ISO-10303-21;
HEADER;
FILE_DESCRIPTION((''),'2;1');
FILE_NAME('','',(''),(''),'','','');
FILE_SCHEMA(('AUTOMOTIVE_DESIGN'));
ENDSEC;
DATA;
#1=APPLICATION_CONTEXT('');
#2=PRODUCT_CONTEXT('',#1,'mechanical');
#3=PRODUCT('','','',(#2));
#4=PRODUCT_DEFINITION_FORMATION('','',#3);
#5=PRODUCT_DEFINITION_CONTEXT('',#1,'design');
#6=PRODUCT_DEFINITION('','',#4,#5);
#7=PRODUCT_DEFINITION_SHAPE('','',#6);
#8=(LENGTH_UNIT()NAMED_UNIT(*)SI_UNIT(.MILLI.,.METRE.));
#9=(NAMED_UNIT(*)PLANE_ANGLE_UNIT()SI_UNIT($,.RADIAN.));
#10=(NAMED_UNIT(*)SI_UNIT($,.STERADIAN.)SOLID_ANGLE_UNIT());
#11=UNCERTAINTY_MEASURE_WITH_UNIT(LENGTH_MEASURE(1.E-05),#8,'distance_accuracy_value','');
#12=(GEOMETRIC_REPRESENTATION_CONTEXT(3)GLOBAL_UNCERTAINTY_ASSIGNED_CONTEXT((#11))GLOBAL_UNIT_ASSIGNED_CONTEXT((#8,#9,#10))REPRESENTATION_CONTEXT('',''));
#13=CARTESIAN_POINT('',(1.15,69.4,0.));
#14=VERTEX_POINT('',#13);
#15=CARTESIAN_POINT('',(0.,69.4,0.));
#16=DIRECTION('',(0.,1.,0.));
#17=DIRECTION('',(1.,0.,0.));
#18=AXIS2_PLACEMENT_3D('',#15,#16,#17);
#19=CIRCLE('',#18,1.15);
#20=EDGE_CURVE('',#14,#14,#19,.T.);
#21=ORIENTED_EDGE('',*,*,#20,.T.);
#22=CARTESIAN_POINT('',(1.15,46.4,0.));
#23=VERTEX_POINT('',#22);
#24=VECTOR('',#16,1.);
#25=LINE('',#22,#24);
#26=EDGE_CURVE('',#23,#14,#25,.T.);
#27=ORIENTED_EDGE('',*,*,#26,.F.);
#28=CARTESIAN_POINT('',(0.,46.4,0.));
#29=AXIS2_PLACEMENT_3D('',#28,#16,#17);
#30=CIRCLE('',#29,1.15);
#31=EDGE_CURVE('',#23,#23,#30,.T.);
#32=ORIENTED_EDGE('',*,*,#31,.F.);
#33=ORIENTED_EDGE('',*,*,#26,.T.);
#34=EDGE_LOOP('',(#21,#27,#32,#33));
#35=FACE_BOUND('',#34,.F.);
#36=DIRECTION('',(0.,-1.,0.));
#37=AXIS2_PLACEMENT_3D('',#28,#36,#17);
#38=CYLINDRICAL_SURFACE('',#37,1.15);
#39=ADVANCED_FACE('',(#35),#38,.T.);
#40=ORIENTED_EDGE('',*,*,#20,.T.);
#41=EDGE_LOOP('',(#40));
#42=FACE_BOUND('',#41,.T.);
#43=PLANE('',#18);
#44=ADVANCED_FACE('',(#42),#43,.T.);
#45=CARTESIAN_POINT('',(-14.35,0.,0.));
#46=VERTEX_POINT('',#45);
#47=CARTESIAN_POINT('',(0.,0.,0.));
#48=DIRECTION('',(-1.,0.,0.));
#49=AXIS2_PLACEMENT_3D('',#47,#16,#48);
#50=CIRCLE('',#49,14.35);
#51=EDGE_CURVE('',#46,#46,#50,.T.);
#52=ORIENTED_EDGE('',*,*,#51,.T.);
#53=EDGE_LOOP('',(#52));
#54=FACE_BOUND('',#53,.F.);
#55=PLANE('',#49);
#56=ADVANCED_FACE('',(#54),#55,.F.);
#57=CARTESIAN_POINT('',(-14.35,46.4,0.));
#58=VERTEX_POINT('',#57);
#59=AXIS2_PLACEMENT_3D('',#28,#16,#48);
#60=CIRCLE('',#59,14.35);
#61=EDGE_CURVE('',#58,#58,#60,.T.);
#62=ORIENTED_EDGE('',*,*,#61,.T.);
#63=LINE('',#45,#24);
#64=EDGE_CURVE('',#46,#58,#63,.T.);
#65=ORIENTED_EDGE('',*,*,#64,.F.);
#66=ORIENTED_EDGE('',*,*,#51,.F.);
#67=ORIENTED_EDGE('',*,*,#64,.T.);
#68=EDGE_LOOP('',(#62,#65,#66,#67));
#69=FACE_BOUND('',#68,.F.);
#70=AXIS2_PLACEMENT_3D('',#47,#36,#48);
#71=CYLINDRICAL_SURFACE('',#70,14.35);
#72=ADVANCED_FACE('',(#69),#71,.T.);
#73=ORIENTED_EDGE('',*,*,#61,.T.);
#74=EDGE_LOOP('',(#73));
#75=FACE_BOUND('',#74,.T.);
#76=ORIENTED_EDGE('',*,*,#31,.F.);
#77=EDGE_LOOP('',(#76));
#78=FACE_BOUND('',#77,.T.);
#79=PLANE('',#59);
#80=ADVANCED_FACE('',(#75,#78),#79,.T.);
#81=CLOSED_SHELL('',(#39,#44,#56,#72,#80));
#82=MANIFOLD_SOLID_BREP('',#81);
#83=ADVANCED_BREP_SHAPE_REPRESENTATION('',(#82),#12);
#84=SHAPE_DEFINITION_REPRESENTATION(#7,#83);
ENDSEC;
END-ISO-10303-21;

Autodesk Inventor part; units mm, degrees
ref_plane "YZ Plane" through (0, 0, 0) normal (1, 0, 0) x (0, 1, 0)
ref_plane "XZ Plane" through (0, 0, 0) normal (0, 1, 0) x (-1, 0, 0)
ref_plane "XY Plane" through (0, 0, 0) normal (0, 0, 1) x (1, 0, 0)
sketch "Esquisse1" plane through (0, 0, 0) normal (0, 1, 0) x (-1, 0, 0)
  circle A0 centre (0, 0) radius 14.35
  dimension "d0" = 28.7
extrude "Extrusion1" add sketch "Esquisse1" along normal blind 46.4
sketch "Esquisse2" plane through (0, 46.4, 0) normal (0, 1, 0) x (1, 0, 0)
  circle A0 centre (0, 0) radius 1.15
  dimension "d3" = 2.3
extrude "Extrusion2" add sketch "Esquisse2" along normal blind 23
properties part number "moteur"
